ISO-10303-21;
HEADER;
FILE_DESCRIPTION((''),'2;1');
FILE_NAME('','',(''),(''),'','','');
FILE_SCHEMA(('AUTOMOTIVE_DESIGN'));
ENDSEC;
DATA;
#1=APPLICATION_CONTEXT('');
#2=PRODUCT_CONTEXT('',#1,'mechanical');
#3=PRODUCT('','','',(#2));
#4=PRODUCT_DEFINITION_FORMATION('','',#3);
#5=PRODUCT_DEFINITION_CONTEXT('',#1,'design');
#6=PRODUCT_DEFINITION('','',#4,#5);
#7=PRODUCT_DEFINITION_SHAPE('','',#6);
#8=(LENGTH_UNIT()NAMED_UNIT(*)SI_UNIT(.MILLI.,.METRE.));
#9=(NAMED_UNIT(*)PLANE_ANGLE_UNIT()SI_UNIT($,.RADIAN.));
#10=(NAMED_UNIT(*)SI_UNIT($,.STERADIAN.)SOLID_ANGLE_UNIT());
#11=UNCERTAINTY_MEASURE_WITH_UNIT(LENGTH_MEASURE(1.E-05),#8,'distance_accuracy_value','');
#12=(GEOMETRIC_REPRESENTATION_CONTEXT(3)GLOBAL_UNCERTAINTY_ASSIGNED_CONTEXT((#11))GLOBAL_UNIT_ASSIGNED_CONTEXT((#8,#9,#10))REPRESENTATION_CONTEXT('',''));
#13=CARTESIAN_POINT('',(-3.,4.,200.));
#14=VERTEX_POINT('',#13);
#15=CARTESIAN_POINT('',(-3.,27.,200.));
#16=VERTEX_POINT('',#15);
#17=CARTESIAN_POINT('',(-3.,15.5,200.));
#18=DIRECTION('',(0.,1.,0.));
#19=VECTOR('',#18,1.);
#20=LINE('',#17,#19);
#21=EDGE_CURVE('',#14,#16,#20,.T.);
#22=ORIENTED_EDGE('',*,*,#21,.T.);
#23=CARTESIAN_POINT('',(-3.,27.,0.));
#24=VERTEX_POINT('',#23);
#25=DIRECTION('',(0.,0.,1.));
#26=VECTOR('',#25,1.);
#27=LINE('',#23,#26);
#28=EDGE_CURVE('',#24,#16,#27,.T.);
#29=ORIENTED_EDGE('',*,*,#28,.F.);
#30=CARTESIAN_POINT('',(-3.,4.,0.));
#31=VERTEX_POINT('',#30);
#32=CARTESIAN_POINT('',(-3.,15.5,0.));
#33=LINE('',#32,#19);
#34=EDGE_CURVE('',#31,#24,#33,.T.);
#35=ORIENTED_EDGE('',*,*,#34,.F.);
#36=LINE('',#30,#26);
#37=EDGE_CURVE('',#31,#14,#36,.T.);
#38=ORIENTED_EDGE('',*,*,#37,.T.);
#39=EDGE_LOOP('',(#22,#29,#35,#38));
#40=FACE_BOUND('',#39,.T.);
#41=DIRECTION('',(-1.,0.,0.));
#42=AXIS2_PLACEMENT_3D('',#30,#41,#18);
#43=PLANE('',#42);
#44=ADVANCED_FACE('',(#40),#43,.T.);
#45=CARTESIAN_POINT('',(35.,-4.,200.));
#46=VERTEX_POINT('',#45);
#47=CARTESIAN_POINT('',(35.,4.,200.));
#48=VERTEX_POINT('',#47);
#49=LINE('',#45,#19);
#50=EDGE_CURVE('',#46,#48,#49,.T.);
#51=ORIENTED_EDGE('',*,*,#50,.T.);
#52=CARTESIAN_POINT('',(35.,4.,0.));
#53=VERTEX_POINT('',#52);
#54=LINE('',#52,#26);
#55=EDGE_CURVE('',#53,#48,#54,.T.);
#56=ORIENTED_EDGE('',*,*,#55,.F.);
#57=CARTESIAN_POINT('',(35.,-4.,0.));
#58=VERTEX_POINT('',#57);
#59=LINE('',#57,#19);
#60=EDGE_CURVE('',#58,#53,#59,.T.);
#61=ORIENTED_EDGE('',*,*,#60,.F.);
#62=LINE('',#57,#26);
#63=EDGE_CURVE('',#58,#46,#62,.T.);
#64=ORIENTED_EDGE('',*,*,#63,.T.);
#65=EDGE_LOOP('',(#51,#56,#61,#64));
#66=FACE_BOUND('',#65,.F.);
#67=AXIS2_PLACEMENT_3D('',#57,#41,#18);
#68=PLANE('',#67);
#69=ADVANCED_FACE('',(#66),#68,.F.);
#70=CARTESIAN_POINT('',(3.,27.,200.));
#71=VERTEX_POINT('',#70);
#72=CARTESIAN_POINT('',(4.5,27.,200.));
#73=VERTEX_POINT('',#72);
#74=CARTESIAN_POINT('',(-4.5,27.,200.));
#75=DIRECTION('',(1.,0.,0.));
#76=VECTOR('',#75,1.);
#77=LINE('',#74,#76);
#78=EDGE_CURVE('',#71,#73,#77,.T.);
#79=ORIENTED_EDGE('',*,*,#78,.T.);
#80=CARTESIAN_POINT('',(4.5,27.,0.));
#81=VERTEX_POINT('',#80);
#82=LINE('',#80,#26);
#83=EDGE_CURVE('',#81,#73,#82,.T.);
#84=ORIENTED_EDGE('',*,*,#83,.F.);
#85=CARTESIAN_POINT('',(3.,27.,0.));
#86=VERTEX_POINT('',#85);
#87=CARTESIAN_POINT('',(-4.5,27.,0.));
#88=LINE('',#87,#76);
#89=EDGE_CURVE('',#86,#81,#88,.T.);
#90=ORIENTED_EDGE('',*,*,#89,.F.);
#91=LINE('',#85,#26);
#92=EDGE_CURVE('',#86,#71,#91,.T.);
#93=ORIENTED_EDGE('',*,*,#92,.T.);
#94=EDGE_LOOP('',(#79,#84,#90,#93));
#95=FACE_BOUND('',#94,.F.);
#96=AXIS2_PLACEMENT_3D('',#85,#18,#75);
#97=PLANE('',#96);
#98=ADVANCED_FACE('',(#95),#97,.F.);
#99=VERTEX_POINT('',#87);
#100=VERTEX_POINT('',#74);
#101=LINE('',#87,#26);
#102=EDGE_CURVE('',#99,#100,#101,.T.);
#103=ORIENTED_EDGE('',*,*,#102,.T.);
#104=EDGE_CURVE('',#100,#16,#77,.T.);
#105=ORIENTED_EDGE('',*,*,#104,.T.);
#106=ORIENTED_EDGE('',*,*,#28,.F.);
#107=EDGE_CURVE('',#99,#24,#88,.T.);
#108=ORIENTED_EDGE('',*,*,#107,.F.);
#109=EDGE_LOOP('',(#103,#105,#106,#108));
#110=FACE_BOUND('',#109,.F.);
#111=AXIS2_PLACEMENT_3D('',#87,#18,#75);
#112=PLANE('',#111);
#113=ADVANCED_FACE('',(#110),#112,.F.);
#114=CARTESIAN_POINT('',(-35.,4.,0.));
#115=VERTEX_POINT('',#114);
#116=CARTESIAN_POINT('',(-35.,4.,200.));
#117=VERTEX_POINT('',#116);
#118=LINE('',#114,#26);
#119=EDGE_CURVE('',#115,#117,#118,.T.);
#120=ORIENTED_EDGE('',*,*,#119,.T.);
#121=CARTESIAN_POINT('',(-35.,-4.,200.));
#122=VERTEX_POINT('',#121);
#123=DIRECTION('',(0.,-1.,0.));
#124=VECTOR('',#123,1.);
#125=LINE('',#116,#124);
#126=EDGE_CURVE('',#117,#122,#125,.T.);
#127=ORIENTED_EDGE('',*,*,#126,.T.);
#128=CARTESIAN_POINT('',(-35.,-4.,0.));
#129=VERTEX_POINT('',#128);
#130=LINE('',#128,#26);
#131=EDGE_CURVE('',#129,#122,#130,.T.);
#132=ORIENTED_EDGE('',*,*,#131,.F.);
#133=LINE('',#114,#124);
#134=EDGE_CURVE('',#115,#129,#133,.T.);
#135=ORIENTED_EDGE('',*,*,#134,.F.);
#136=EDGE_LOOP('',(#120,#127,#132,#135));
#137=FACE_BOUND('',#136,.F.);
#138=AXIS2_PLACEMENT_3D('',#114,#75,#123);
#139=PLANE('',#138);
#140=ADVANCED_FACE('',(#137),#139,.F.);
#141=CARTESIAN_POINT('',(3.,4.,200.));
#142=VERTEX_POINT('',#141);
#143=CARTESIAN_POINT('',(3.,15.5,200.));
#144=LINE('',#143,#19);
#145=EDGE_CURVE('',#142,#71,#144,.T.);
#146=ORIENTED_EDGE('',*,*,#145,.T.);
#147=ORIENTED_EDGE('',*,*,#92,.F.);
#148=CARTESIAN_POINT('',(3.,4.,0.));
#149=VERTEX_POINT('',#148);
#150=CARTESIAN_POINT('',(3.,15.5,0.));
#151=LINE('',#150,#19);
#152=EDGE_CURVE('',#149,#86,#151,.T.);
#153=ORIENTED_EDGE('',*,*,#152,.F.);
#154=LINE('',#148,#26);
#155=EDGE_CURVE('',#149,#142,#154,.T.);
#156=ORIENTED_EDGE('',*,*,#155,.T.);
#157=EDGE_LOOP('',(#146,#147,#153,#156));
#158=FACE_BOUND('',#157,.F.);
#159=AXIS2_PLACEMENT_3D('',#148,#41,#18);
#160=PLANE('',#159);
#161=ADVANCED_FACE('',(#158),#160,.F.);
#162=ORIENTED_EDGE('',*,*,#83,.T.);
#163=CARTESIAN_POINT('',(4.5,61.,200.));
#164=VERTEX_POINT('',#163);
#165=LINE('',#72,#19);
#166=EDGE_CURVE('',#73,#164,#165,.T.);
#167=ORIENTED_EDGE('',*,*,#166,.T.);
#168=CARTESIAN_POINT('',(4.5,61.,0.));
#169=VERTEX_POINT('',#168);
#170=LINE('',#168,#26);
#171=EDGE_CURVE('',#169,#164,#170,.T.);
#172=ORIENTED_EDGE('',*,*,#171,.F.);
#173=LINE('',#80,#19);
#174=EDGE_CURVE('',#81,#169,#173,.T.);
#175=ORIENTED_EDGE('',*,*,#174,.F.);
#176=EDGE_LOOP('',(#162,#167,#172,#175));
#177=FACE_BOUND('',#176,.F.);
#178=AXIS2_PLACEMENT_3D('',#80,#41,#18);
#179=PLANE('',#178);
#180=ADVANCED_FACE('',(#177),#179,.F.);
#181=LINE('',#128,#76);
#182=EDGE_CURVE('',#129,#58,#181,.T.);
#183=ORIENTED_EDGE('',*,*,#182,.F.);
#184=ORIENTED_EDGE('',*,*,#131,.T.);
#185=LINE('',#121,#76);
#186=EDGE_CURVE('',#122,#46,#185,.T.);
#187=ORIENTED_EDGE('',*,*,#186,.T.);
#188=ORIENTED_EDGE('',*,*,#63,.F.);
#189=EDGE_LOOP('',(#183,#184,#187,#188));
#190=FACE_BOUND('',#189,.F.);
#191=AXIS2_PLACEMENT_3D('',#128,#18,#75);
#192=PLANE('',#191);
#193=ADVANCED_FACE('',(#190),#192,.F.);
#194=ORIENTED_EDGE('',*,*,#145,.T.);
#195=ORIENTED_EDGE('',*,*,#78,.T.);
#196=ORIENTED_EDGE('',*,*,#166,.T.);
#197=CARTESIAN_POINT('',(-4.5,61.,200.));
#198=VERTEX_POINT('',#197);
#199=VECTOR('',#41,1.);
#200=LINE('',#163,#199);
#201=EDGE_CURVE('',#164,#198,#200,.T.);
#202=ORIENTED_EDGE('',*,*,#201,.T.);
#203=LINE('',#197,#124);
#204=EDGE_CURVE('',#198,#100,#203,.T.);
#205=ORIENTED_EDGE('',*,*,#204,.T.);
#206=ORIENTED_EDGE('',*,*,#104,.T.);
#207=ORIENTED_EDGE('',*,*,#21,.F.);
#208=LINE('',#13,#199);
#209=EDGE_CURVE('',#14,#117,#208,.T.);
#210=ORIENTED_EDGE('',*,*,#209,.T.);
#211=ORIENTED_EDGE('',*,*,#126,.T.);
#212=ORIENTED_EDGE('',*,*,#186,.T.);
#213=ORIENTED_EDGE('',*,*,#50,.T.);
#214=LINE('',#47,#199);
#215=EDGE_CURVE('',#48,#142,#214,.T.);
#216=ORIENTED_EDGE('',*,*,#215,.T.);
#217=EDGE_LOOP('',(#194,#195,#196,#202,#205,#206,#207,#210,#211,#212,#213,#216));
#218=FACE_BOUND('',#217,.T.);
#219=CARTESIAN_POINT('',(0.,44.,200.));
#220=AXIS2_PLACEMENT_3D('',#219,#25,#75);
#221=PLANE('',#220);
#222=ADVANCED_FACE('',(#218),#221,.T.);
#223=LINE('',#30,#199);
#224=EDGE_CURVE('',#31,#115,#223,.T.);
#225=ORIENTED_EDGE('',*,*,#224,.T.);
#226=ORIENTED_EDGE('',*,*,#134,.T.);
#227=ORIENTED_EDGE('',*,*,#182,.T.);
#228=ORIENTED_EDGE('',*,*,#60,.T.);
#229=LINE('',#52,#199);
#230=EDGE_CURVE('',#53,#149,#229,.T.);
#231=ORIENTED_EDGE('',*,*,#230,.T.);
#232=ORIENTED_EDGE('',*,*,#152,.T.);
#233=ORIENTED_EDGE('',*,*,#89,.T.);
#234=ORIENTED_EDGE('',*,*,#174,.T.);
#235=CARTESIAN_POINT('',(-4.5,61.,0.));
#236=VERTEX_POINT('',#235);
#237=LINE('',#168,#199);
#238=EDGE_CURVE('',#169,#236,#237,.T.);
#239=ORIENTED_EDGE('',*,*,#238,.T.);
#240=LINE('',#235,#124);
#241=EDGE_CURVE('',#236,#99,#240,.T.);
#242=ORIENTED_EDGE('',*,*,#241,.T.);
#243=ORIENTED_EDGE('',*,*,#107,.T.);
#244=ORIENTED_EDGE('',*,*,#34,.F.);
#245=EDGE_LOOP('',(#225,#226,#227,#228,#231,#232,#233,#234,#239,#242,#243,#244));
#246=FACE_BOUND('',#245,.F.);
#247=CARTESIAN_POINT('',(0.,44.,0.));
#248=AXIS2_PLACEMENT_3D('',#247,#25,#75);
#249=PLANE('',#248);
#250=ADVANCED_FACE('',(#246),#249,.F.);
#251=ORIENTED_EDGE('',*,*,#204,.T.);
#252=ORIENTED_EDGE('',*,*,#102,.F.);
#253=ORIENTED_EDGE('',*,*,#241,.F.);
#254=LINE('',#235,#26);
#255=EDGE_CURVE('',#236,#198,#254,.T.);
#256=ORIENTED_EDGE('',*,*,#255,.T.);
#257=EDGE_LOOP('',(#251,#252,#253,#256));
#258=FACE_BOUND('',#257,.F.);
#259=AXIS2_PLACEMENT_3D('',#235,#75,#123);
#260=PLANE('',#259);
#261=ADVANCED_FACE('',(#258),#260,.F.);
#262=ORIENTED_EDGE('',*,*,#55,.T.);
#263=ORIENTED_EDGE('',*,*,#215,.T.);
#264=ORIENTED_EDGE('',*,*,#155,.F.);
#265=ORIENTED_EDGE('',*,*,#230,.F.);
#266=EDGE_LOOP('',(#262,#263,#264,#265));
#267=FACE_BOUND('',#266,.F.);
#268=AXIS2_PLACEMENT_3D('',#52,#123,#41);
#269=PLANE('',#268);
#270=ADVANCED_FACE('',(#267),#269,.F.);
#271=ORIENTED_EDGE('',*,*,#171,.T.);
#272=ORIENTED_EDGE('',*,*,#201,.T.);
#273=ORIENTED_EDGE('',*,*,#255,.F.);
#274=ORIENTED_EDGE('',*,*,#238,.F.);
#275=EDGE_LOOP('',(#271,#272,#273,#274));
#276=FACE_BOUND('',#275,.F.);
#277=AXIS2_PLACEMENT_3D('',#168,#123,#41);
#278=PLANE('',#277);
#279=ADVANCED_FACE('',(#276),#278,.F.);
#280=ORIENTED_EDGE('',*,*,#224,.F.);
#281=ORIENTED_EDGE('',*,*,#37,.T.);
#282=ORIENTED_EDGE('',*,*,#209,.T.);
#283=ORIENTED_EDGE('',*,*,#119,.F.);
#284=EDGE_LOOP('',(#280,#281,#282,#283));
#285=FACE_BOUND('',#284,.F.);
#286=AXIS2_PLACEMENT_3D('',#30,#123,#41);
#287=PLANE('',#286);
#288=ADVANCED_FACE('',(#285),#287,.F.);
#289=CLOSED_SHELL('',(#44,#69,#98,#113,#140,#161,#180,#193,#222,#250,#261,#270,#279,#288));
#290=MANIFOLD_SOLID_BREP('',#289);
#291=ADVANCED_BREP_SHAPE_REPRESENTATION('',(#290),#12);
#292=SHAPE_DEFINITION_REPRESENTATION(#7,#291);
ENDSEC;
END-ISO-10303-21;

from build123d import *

# Parameters (mm, degrees)
F0_W     = 6
F0_H     = 23
F1_DEPTH = 200


with BuildPart() as f1:
    # F0 (on Top) → F1 (new body)
    with BuildSketch(Plane.XY):
        Polygon((-4.5, 61), (-4.5, 27), (-3, 27), (3, 27), (4.5, 27), (4.5, 61), align=None)
        with Locations((0, 15.5)):
            Rectangle(F0_W, F0_H)
        Polygon((3, 4), (-3, 4), (-35, 4), (-35, -4), (35, -4), (35, 4), align=None)
    extrude(amount=F1_DEPTH)


solid = f1.part
